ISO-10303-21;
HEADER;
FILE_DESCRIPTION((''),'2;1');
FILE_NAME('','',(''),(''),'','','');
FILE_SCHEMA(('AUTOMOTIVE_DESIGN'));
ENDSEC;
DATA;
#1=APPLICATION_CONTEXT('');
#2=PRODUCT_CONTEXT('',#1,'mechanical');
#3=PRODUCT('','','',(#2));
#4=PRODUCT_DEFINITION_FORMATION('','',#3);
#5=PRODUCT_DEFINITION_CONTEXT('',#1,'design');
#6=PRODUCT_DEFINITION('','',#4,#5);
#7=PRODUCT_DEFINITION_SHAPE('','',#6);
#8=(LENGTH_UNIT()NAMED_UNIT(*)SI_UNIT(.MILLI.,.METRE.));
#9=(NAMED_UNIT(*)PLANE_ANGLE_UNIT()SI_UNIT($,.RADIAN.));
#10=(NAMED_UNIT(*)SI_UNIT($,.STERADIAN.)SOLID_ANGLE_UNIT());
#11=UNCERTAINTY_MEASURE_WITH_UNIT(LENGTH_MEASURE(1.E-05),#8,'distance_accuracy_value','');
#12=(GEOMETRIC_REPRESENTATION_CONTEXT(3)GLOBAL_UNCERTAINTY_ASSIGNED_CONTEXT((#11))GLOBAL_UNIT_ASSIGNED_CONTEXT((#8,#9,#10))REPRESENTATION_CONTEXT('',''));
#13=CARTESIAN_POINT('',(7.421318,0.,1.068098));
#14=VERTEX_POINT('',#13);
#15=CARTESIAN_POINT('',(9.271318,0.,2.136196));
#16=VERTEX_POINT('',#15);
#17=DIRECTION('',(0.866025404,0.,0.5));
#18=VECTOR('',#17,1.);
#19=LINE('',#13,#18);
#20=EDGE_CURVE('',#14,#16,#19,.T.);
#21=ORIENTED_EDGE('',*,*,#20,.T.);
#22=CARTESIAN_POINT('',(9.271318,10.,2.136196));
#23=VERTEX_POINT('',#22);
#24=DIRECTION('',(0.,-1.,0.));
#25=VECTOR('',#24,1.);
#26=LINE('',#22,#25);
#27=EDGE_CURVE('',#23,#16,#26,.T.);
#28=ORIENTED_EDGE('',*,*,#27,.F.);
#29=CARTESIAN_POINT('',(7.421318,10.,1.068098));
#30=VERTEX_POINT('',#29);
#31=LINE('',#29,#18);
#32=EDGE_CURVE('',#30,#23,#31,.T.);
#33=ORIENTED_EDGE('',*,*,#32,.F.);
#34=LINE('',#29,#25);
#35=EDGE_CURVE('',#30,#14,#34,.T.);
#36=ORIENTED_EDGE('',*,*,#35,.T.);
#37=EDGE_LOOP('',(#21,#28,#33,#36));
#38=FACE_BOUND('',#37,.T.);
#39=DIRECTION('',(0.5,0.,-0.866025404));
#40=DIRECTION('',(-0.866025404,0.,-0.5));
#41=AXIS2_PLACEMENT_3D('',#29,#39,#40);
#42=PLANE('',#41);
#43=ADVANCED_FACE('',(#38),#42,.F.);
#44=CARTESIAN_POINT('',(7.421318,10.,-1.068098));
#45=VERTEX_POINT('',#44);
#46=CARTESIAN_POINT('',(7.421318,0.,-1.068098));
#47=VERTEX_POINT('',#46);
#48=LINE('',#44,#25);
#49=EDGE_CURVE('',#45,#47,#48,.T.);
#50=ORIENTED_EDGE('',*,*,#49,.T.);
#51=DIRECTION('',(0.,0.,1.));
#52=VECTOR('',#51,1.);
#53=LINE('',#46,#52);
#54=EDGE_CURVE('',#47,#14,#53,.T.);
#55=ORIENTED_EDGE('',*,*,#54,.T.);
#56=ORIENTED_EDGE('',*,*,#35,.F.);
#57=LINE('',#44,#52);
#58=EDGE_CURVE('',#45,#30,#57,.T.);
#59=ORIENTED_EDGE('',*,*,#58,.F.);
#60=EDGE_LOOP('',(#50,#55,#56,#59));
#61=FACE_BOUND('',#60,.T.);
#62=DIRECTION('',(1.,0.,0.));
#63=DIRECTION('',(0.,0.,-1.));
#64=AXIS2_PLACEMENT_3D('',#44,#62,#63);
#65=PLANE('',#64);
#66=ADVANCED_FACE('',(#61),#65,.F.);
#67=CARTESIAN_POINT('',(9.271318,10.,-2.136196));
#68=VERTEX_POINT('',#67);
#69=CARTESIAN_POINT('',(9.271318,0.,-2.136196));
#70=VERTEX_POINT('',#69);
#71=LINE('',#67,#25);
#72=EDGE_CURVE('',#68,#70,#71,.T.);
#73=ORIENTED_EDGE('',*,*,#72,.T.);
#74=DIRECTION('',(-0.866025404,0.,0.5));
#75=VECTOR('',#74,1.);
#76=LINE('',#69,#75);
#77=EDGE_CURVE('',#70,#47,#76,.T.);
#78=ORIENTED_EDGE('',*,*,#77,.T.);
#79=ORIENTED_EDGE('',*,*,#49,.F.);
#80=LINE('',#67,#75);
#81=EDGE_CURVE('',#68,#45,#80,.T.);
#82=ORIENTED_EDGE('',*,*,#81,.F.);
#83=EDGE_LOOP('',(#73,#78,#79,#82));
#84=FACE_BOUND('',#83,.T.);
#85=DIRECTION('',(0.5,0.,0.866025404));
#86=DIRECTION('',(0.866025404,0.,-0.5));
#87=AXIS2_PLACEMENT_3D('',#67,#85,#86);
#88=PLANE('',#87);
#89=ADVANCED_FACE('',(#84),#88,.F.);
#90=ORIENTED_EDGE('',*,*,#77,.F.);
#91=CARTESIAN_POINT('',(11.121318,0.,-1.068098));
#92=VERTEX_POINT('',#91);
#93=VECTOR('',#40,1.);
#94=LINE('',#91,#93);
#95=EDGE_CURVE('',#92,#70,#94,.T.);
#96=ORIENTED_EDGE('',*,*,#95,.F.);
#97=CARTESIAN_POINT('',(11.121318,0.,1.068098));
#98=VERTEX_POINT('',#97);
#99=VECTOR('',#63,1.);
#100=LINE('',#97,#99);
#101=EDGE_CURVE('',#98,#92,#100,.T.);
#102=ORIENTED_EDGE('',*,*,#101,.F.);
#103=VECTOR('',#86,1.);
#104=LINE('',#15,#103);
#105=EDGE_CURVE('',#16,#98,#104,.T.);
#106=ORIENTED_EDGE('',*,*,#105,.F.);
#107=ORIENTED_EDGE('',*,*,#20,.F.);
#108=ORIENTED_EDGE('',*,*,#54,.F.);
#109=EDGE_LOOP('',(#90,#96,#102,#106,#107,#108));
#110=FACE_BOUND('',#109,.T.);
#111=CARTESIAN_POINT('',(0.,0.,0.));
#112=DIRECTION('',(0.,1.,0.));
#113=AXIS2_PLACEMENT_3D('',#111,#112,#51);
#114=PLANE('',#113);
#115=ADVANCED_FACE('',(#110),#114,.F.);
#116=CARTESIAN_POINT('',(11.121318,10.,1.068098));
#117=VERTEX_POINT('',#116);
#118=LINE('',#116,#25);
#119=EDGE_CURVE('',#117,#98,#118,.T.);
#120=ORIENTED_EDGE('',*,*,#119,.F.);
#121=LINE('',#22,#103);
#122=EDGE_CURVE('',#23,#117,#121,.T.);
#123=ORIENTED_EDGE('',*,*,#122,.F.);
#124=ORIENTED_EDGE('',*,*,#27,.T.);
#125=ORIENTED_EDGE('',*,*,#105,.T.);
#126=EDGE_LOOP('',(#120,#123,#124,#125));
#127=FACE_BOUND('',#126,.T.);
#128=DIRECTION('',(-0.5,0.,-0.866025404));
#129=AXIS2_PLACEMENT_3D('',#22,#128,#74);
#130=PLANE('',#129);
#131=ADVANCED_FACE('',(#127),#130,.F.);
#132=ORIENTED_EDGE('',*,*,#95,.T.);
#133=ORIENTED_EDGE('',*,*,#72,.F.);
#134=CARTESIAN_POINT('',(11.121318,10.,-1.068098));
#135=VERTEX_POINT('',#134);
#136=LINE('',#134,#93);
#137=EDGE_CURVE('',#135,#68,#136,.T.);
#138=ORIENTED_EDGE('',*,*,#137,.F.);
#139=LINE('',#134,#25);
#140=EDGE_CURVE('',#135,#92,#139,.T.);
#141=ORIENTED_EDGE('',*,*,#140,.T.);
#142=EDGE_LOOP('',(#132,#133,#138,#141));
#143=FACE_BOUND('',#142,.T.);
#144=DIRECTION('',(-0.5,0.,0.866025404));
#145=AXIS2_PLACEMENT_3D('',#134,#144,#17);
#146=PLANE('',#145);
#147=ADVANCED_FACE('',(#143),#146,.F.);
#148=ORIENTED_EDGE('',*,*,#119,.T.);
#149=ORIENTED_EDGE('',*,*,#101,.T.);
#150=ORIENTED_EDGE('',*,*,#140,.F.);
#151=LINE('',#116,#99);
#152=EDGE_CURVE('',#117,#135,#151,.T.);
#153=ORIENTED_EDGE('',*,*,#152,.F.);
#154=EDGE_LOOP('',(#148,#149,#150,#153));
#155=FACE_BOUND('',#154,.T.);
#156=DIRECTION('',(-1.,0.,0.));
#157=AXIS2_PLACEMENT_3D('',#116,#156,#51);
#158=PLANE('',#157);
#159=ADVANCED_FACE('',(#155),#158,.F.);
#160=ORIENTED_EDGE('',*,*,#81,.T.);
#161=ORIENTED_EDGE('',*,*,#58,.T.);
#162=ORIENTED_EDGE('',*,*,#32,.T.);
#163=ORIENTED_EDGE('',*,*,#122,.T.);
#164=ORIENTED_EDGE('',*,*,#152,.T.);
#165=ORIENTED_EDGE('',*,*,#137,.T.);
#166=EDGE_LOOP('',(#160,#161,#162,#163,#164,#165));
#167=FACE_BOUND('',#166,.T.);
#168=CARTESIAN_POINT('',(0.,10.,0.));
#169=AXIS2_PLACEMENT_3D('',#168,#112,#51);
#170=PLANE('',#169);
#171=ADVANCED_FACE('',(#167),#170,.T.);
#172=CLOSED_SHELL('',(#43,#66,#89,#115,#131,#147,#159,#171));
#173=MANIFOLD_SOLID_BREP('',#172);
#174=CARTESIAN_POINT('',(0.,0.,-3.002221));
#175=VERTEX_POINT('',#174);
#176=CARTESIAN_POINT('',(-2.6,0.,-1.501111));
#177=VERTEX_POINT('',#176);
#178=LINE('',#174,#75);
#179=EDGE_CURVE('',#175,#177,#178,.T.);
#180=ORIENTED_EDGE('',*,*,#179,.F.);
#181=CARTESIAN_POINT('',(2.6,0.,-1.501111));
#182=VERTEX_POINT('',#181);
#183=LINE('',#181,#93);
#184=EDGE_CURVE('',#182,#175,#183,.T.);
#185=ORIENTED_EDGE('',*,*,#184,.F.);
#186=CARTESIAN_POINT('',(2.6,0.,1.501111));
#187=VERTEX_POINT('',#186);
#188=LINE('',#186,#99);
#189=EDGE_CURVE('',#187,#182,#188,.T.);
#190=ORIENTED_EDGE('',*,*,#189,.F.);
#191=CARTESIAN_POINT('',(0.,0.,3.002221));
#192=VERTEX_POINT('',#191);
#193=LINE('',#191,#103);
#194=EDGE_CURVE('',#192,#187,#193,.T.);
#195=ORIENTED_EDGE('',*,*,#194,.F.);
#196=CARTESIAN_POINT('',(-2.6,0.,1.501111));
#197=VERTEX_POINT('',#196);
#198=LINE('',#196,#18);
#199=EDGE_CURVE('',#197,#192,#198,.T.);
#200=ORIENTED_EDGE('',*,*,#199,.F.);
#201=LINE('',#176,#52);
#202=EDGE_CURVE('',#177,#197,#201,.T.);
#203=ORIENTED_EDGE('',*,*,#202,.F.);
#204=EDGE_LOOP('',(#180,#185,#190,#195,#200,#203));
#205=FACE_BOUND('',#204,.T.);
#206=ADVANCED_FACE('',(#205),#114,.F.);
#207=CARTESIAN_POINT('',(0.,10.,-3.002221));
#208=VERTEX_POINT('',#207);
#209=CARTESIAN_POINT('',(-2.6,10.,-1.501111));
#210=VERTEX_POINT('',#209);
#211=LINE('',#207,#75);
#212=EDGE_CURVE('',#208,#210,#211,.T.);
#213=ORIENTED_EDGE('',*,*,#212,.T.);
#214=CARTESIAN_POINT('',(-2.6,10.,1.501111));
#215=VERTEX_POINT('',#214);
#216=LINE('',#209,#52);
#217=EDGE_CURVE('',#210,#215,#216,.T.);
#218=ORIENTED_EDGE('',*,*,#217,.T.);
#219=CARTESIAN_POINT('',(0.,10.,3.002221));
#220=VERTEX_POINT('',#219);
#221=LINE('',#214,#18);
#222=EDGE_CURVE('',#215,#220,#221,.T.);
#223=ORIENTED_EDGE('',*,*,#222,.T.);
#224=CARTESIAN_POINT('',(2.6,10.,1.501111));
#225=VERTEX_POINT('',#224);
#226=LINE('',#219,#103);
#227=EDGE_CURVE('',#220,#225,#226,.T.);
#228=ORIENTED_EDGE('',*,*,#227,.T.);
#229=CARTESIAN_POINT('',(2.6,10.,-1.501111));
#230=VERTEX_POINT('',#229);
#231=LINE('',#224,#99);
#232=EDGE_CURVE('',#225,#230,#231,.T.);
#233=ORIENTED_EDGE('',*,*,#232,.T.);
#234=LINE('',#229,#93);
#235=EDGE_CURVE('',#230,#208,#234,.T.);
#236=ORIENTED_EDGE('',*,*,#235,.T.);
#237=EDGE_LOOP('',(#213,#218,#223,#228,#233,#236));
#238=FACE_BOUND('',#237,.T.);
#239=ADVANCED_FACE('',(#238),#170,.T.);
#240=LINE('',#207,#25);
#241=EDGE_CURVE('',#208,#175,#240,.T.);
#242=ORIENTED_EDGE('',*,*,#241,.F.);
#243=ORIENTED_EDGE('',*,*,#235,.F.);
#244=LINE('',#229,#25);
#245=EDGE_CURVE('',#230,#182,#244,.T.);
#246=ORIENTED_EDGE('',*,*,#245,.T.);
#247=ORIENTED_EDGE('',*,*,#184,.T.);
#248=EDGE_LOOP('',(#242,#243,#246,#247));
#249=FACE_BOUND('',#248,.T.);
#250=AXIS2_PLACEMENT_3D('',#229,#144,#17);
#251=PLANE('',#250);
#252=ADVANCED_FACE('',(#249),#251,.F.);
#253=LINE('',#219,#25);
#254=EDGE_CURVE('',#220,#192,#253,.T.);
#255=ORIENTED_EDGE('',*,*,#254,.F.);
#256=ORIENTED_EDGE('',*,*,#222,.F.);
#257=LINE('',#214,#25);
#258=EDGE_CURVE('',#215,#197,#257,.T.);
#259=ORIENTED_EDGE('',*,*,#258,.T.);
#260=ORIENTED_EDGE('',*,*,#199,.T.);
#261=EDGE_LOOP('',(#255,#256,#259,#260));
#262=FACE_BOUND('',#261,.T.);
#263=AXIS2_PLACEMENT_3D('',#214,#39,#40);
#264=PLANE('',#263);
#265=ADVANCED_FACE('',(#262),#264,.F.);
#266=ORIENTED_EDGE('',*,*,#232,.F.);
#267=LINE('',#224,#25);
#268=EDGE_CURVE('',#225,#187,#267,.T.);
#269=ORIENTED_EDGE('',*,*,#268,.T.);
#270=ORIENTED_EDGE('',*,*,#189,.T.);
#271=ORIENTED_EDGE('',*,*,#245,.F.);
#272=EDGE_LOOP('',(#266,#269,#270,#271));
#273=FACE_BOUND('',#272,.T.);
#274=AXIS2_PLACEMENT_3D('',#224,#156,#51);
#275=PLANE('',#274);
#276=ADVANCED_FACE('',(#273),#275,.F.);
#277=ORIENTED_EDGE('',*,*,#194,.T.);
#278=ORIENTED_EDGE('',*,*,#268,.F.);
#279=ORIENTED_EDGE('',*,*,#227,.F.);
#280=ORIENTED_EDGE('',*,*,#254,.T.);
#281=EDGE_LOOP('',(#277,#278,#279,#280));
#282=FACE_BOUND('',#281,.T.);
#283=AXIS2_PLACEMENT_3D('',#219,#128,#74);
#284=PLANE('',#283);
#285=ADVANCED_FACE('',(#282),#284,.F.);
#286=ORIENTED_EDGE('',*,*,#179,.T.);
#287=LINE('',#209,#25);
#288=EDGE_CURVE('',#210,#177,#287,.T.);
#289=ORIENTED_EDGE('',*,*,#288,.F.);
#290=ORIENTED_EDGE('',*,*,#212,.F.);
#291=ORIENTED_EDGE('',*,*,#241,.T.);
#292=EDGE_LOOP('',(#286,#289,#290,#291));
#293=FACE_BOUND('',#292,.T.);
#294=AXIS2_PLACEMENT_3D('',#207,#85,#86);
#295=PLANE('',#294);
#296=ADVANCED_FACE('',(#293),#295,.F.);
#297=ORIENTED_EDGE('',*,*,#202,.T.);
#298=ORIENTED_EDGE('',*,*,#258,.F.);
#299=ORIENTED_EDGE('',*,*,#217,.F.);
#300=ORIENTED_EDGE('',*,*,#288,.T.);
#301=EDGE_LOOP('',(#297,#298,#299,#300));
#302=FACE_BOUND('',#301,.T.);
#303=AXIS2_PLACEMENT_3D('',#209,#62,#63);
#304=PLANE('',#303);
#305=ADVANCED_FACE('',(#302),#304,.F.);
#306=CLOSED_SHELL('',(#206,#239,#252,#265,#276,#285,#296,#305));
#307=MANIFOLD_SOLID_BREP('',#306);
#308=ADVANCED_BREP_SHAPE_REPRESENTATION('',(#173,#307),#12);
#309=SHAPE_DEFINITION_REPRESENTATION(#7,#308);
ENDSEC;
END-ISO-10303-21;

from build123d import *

# Parameters (mm, degrees)
BOSS_EXTRUDE1_DEPTH   = 10
BOSS_EXTRUDE1_2_DEPTH = 10


with BuildPart() as part:
    # Sketch1 → Boss-Extrude1 (new body)
    with BuildSketch(Plane(origin=(0, 0, 0), x_dir=(1, 0, 0), z_dir=(0, 1, 0))):
        Polygon((0, -3.0022214), (2.6, -1.5011107), (2.6, 1.5011107), (0, 3.0022214), (-2.6, 1.5011107), (-2.6, -1.5011107), align=None)
    extrude(amount=BOSS_EXTRUDE1_DEPTH)


with BuildPart() as body_2:
    # Sketch1 → Boss-Extrude1 2 (new body)
    with BuildSketch(Plane(origin=(0, 0, 0), x_dir=(1, 0, 0), z_dir=(0, 1, 0))):
        Polygon((9.271318191, -2.136195996), (11.121318191, -1.068097998), (11.121318191, 1.068097998), (9.271318191, 2.136195996), (7.421318191, 1.068097998), (7.421318191, -1.068097998), align=None)
    extrude(amount=BOSS_EXTRUDE1_2_DEPTH)


solid = Compound([part.part, body_2.part])
